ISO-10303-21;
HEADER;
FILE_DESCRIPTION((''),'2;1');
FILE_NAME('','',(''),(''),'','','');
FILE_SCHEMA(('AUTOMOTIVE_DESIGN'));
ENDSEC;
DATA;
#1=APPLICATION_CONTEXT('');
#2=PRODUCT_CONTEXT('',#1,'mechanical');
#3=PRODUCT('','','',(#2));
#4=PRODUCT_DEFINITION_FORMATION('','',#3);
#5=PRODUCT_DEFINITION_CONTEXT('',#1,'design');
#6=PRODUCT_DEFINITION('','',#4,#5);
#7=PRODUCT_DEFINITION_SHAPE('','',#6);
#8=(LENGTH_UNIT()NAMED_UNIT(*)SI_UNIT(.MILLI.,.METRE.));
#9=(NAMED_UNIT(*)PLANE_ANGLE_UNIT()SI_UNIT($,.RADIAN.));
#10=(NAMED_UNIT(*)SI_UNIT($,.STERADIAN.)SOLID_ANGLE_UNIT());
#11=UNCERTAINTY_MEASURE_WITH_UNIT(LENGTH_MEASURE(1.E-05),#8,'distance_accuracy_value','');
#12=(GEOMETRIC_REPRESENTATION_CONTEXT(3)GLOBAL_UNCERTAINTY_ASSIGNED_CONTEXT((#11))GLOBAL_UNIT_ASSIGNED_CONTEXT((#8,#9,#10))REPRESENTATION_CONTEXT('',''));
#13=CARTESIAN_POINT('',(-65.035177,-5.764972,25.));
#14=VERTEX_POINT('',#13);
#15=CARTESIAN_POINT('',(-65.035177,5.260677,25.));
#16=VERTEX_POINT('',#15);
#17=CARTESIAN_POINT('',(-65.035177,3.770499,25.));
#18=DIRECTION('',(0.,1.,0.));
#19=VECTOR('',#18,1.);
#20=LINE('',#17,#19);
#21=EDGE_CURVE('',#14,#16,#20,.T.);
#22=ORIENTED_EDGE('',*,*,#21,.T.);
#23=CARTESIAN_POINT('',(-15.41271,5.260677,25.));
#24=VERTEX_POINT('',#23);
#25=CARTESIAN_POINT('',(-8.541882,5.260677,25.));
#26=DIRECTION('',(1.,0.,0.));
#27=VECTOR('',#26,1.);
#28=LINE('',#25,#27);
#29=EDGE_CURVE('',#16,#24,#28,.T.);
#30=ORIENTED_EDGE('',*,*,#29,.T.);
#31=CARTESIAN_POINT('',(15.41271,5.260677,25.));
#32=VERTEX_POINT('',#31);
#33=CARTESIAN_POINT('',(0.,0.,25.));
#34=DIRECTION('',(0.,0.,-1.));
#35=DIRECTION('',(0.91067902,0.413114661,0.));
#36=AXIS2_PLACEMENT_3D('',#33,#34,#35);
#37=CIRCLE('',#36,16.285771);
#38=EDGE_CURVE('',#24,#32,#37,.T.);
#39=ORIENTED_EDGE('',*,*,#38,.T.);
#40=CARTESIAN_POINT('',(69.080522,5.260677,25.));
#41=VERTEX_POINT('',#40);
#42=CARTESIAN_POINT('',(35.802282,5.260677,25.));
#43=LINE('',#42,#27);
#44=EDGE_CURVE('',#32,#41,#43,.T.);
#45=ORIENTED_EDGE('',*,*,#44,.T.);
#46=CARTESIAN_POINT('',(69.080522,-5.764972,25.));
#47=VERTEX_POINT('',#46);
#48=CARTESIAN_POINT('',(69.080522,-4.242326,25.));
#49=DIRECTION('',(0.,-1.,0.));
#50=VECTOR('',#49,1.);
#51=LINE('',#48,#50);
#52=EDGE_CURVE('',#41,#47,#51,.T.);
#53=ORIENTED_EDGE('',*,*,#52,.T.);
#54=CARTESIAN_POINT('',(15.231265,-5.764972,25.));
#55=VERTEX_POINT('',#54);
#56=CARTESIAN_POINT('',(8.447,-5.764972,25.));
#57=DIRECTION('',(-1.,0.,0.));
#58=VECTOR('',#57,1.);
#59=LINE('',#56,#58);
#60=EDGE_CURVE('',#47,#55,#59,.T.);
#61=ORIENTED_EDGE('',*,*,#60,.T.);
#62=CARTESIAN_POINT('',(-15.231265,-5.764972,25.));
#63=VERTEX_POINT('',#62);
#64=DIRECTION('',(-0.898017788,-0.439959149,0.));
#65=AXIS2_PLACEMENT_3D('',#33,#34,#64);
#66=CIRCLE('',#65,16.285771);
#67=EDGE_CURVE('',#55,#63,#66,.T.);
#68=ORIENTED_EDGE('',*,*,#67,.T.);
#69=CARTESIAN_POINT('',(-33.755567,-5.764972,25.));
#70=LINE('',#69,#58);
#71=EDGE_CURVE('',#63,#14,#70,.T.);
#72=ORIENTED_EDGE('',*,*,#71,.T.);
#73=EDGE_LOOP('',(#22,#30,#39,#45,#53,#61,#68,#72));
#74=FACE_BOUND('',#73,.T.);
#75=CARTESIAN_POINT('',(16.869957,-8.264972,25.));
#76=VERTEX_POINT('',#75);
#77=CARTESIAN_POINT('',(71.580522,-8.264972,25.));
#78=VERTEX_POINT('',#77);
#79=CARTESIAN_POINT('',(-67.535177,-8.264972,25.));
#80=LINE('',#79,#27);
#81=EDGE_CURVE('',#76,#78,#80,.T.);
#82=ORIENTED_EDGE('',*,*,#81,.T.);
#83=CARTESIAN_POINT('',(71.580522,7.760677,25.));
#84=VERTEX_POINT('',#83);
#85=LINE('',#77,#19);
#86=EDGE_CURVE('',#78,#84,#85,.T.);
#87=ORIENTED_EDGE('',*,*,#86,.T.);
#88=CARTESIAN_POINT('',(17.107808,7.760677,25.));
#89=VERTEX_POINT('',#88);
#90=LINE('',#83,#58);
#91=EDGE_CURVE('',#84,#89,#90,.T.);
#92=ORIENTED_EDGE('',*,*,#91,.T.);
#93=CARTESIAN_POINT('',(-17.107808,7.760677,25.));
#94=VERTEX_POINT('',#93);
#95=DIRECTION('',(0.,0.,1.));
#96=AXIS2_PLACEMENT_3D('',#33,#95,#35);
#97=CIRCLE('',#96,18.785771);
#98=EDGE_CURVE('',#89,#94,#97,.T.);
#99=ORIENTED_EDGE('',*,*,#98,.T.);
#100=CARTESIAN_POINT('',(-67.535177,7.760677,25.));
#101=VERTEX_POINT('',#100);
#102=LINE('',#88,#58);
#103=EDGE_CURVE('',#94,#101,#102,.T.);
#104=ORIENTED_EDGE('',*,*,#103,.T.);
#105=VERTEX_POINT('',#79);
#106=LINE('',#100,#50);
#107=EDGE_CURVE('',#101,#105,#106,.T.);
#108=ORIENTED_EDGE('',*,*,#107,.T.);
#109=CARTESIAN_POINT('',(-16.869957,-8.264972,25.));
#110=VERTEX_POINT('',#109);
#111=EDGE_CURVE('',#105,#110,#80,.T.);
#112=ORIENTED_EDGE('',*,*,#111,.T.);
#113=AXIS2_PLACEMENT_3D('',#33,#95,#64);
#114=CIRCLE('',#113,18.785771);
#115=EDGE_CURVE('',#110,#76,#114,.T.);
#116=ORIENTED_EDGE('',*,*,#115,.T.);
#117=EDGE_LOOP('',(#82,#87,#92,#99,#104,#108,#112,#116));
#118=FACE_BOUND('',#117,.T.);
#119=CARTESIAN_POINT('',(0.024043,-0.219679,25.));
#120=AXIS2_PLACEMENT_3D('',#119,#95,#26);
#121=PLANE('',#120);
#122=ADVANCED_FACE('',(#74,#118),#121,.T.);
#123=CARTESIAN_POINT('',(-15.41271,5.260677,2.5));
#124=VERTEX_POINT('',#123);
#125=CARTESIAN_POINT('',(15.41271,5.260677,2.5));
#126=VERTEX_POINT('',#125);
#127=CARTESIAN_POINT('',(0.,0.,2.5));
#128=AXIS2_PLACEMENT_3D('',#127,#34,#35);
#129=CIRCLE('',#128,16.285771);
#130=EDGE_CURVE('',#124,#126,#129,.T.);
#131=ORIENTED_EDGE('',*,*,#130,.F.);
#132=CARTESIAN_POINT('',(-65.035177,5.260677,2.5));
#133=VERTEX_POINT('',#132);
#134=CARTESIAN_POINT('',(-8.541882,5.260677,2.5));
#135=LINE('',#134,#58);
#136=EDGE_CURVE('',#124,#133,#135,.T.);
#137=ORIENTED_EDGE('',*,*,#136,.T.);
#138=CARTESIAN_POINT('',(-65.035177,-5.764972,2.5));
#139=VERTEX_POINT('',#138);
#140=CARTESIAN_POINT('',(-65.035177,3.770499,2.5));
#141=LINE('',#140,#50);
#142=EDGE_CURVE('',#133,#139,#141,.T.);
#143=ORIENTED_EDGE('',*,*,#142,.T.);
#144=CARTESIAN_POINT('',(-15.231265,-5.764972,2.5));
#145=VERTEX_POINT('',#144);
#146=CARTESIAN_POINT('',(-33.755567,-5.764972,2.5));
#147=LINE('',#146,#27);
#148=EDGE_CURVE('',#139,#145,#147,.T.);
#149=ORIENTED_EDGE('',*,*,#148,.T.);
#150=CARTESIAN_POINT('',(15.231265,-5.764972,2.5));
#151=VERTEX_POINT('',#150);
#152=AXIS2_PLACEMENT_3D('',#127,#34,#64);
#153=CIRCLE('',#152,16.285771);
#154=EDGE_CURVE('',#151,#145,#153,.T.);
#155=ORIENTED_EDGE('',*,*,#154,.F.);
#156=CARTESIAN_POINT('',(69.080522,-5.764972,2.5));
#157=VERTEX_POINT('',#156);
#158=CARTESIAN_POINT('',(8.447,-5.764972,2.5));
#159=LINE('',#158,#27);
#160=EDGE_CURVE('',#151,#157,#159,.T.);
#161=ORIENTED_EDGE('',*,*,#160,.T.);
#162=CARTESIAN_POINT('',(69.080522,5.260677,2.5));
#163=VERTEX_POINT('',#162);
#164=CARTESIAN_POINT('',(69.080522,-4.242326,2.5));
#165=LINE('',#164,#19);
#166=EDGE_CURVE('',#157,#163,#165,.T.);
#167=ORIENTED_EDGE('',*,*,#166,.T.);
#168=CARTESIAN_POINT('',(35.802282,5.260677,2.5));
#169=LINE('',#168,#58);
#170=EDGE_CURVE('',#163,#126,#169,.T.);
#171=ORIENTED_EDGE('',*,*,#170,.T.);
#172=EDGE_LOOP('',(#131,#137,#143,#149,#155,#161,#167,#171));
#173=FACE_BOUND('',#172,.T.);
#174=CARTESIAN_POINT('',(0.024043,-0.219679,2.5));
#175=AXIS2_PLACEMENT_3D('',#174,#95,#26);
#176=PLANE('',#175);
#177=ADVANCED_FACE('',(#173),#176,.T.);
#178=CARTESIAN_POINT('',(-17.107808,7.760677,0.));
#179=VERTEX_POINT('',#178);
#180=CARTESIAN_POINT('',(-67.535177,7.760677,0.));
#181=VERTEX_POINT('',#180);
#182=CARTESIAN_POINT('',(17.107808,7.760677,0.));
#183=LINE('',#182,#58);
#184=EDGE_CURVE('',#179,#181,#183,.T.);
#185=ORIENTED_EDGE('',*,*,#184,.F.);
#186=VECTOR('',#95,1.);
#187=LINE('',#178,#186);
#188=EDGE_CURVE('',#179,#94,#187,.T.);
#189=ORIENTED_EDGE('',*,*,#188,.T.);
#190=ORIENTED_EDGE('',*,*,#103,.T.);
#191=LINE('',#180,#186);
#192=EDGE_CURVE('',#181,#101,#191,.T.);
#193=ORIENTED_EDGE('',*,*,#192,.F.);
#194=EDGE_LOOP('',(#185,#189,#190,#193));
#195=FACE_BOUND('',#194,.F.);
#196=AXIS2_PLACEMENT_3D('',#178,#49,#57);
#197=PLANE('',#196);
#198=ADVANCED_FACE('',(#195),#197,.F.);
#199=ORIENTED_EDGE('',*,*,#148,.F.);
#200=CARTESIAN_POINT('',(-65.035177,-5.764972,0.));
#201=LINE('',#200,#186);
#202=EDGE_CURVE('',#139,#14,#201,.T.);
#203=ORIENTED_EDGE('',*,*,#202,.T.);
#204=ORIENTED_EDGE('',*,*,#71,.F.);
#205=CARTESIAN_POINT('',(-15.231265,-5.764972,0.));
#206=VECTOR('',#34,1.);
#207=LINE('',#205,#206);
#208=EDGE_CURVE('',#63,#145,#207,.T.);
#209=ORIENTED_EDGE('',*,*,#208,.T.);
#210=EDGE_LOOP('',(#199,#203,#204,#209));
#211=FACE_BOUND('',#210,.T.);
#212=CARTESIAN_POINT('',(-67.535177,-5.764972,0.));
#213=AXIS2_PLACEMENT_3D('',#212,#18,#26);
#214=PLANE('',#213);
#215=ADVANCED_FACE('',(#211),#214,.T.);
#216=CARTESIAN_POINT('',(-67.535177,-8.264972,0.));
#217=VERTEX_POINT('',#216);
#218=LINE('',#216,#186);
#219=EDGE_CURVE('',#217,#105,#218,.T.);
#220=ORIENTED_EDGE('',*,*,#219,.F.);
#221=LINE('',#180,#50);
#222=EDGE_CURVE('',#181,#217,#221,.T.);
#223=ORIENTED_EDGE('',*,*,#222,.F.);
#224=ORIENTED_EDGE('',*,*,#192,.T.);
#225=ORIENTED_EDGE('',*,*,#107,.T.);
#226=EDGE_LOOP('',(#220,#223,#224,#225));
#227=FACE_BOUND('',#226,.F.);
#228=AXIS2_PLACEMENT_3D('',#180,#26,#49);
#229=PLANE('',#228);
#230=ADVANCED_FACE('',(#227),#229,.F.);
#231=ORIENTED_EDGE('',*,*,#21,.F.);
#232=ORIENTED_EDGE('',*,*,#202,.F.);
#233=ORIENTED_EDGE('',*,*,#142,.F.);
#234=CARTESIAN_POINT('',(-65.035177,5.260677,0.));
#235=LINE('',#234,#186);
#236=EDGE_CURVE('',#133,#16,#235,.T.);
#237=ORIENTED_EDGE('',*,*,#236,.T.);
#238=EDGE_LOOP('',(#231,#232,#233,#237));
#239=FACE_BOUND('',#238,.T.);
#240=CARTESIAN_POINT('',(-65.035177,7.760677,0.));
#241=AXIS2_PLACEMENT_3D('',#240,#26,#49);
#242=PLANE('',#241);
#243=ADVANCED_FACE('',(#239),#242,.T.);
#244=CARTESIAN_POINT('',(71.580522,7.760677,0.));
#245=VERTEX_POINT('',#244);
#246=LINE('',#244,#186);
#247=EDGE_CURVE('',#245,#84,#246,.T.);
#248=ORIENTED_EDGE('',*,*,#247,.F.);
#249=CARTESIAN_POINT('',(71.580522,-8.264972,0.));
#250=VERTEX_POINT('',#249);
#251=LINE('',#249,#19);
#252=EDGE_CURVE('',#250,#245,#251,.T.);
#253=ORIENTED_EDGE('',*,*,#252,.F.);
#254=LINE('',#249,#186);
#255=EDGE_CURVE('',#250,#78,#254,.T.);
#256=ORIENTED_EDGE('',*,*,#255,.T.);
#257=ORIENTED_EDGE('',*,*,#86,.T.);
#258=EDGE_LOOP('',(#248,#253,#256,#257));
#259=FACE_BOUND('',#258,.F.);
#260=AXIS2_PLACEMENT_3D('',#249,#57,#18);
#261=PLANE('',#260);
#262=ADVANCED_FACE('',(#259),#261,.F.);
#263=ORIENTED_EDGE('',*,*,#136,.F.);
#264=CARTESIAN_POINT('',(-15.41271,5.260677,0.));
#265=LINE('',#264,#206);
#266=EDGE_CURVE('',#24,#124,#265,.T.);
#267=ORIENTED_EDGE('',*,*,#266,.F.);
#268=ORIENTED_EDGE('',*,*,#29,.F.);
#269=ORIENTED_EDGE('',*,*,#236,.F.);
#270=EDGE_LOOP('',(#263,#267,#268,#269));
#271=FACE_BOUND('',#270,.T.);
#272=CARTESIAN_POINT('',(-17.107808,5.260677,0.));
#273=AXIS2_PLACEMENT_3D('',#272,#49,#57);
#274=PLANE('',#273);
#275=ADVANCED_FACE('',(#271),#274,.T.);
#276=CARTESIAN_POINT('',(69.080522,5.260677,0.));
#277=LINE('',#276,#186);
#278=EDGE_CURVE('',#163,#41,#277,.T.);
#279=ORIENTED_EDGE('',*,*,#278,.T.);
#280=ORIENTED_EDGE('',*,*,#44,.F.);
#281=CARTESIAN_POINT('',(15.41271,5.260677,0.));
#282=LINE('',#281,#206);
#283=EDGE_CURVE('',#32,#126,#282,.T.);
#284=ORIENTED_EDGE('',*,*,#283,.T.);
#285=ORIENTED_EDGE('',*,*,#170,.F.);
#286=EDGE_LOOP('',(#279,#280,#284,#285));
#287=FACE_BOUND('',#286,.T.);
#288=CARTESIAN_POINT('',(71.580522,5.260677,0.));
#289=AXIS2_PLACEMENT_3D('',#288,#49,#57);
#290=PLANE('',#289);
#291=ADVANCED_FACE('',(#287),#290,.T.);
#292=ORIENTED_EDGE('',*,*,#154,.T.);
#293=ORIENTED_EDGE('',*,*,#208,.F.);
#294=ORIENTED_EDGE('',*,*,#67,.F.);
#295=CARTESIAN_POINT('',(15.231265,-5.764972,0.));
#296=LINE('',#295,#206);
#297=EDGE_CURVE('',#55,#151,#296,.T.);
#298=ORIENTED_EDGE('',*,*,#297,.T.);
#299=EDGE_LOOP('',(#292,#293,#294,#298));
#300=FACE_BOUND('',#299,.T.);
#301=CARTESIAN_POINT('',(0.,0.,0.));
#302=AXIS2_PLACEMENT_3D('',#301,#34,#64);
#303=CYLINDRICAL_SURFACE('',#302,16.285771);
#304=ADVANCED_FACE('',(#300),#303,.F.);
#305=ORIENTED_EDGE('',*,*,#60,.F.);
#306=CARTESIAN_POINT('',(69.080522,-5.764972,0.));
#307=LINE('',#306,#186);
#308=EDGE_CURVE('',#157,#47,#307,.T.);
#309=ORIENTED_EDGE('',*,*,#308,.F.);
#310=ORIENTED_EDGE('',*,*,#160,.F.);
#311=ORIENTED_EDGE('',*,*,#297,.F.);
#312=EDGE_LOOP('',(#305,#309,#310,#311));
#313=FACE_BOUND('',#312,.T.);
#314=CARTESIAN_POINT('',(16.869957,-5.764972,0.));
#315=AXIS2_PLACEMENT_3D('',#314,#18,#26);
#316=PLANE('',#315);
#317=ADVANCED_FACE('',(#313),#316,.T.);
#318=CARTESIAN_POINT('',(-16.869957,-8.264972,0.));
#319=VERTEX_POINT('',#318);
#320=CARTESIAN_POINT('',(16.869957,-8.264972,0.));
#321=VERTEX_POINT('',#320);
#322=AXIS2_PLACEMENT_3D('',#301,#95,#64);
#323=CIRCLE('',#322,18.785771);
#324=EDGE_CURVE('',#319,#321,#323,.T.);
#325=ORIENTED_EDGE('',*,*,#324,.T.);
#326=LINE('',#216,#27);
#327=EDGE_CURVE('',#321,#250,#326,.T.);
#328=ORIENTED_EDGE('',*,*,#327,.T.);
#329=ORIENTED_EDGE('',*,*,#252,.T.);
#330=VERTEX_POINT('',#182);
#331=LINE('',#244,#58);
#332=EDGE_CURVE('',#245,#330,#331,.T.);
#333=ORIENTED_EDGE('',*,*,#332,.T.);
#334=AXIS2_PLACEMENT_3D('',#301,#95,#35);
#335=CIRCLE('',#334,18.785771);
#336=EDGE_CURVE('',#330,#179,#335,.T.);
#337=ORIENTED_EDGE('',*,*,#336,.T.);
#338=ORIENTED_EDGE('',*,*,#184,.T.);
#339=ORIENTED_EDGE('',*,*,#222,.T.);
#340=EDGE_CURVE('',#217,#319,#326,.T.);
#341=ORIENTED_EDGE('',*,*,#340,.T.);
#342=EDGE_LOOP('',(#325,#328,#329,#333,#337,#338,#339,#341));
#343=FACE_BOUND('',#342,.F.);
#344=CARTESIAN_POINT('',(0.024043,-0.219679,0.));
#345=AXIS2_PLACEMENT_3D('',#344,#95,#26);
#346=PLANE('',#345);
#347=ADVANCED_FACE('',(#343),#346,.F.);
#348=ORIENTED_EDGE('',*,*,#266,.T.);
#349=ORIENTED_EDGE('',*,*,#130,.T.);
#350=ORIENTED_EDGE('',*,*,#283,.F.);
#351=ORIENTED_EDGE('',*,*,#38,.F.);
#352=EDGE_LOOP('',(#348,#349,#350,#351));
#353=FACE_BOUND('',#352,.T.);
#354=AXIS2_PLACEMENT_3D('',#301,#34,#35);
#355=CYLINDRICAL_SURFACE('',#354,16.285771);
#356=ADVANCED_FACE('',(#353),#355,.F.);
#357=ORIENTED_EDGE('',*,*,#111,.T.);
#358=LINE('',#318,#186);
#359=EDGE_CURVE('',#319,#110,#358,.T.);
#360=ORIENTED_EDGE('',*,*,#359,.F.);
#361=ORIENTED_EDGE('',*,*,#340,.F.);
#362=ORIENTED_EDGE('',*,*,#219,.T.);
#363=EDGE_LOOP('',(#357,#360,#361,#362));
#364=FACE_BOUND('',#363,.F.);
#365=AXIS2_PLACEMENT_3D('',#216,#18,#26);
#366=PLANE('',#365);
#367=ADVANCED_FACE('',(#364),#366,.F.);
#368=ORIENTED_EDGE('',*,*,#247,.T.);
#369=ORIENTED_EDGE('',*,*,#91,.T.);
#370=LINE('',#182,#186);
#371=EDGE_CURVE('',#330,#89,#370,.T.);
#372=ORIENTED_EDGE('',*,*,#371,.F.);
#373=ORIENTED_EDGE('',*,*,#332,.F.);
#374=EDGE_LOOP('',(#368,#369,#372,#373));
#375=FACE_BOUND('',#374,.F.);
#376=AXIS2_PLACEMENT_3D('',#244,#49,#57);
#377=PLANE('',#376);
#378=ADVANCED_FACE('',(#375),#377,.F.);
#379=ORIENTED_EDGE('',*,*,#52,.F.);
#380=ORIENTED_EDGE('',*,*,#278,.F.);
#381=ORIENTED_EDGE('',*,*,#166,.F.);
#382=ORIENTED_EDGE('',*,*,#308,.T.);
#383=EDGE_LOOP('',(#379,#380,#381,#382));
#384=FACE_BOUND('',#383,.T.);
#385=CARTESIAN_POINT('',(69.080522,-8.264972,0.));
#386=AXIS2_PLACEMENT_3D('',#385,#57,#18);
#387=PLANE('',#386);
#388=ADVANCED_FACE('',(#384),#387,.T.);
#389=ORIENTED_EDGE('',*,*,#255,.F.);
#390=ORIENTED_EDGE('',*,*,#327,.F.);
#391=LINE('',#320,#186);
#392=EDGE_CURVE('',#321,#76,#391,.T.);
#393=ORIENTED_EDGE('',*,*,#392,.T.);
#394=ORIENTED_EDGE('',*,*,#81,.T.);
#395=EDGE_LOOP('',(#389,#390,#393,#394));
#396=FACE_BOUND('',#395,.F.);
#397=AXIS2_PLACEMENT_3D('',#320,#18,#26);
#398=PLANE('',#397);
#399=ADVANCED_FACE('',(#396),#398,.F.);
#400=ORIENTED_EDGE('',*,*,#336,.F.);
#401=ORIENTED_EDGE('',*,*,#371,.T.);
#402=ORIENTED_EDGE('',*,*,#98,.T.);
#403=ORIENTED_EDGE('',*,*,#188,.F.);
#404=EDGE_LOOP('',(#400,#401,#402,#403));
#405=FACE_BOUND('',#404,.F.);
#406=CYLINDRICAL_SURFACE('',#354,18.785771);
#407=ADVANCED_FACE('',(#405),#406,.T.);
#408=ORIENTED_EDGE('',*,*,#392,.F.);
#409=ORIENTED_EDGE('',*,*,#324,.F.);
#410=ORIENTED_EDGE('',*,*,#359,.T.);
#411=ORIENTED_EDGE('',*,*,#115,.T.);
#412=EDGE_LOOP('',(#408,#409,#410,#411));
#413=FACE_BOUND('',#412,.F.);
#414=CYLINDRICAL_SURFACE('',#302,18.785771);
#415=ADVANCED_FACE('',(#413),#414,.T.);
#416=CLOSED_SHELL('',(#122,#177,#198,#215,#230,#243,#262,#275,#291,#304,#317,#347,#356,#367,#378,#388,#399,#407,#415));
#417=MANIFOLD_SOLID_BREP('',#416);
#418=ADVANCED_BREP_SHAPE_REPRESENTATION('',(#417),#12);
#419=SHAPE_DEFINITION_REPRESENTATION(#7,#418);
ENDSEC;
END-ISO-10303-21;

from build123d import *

# Parameters (mm, degrees)
F1_DEPTH = 25
F2_T     = -2.5


with BuildPart() as f1:
    # F0 (on Top) → F1 (new body)
    with BuildSketch(Plane.XY):
        with BuildLine():
            ThreePointArc((16.869956647, -8.264971897), (18.3005511205, -4.2420545043), (18.7857711508, 0))
            ThreePointArc((18.7857711508, 0), (18.3614890081, 3.9700024104), (17.1078076526, 7.7606774867))
            Line((17.1078076526, 7.7606774867), (-17.1078076526, 7.7606774867))
            ThreePointArc((-17.1078076526, 7.7606774867), (-18.7837024104, -0.278785739), (-16.869956647, -8.264971897))
            Line((-16.869956647, -8.264971897), (16.869956647, -8.264971897))
        make_face()
        with BuildLine():
            ThreePointArc((-16.869956647, -8.264971897), (-18.7837024104, -0.278785739), (-17.1078076526, 7.7606774867))
            Line((-17.1078076526, 7.7606774867), (-67.5351768732, 7.7606774867))
            Line((-67.5351768732, 7.7606774867), (-67.5351768732, -8.264971897))
            Line((-67.5351768732, -8.264971897), (-16.869956647, -8.264971897))
        make_face()
        with BuildLine():
            Line((-17.1078076526, 7.7606774867), (17.1078076526, 7.7606774867))
            ThreePointArc((17.1078076526, 7.7606774867), (0, 18.7857711508), (-17.1078076526, 7.7606774867))
        make_face()
        with BuildLine():
            ThreePointArc((17.1078076526, 7.7606774867), (18.3614890081, 3.9700024104), (18.7857711508, 0))
            ThreePointArc((18.7857711508, 0), (18.3005511205, -4.2420545043), (16.869956647, -8.264971897))
            Line((16.869956647, -8.264971897), (71.5805217624, -8.264971897))
            Line((71.5805217624, -8.264971897), (71.5805217624, 7.7606774867))
            Line((71.5805217624, 7.7606774867), (17.1078076526, 7.7606774867))
        make_face()
        with BuildLine():
            ThreePointArc((-16.869956647, -8.264971897), (0, -18.7857711508), (16.869956647, -8.264971897))
            Line((16.869956647, -8.264971897), (-16.869956647, -8.264971897))
        make_face()
    extrude(amount=F1_DEPTH)

    # F2
    f2_openings = [f1.faces().sort_by_distance(p)[0] for p in [
        (1.636892, -0.154216, 25),
    ]]
    offset(amount=F2_T, openings=f2_openings, kind=Kind.INTERSECTION)


solid = f1.part
